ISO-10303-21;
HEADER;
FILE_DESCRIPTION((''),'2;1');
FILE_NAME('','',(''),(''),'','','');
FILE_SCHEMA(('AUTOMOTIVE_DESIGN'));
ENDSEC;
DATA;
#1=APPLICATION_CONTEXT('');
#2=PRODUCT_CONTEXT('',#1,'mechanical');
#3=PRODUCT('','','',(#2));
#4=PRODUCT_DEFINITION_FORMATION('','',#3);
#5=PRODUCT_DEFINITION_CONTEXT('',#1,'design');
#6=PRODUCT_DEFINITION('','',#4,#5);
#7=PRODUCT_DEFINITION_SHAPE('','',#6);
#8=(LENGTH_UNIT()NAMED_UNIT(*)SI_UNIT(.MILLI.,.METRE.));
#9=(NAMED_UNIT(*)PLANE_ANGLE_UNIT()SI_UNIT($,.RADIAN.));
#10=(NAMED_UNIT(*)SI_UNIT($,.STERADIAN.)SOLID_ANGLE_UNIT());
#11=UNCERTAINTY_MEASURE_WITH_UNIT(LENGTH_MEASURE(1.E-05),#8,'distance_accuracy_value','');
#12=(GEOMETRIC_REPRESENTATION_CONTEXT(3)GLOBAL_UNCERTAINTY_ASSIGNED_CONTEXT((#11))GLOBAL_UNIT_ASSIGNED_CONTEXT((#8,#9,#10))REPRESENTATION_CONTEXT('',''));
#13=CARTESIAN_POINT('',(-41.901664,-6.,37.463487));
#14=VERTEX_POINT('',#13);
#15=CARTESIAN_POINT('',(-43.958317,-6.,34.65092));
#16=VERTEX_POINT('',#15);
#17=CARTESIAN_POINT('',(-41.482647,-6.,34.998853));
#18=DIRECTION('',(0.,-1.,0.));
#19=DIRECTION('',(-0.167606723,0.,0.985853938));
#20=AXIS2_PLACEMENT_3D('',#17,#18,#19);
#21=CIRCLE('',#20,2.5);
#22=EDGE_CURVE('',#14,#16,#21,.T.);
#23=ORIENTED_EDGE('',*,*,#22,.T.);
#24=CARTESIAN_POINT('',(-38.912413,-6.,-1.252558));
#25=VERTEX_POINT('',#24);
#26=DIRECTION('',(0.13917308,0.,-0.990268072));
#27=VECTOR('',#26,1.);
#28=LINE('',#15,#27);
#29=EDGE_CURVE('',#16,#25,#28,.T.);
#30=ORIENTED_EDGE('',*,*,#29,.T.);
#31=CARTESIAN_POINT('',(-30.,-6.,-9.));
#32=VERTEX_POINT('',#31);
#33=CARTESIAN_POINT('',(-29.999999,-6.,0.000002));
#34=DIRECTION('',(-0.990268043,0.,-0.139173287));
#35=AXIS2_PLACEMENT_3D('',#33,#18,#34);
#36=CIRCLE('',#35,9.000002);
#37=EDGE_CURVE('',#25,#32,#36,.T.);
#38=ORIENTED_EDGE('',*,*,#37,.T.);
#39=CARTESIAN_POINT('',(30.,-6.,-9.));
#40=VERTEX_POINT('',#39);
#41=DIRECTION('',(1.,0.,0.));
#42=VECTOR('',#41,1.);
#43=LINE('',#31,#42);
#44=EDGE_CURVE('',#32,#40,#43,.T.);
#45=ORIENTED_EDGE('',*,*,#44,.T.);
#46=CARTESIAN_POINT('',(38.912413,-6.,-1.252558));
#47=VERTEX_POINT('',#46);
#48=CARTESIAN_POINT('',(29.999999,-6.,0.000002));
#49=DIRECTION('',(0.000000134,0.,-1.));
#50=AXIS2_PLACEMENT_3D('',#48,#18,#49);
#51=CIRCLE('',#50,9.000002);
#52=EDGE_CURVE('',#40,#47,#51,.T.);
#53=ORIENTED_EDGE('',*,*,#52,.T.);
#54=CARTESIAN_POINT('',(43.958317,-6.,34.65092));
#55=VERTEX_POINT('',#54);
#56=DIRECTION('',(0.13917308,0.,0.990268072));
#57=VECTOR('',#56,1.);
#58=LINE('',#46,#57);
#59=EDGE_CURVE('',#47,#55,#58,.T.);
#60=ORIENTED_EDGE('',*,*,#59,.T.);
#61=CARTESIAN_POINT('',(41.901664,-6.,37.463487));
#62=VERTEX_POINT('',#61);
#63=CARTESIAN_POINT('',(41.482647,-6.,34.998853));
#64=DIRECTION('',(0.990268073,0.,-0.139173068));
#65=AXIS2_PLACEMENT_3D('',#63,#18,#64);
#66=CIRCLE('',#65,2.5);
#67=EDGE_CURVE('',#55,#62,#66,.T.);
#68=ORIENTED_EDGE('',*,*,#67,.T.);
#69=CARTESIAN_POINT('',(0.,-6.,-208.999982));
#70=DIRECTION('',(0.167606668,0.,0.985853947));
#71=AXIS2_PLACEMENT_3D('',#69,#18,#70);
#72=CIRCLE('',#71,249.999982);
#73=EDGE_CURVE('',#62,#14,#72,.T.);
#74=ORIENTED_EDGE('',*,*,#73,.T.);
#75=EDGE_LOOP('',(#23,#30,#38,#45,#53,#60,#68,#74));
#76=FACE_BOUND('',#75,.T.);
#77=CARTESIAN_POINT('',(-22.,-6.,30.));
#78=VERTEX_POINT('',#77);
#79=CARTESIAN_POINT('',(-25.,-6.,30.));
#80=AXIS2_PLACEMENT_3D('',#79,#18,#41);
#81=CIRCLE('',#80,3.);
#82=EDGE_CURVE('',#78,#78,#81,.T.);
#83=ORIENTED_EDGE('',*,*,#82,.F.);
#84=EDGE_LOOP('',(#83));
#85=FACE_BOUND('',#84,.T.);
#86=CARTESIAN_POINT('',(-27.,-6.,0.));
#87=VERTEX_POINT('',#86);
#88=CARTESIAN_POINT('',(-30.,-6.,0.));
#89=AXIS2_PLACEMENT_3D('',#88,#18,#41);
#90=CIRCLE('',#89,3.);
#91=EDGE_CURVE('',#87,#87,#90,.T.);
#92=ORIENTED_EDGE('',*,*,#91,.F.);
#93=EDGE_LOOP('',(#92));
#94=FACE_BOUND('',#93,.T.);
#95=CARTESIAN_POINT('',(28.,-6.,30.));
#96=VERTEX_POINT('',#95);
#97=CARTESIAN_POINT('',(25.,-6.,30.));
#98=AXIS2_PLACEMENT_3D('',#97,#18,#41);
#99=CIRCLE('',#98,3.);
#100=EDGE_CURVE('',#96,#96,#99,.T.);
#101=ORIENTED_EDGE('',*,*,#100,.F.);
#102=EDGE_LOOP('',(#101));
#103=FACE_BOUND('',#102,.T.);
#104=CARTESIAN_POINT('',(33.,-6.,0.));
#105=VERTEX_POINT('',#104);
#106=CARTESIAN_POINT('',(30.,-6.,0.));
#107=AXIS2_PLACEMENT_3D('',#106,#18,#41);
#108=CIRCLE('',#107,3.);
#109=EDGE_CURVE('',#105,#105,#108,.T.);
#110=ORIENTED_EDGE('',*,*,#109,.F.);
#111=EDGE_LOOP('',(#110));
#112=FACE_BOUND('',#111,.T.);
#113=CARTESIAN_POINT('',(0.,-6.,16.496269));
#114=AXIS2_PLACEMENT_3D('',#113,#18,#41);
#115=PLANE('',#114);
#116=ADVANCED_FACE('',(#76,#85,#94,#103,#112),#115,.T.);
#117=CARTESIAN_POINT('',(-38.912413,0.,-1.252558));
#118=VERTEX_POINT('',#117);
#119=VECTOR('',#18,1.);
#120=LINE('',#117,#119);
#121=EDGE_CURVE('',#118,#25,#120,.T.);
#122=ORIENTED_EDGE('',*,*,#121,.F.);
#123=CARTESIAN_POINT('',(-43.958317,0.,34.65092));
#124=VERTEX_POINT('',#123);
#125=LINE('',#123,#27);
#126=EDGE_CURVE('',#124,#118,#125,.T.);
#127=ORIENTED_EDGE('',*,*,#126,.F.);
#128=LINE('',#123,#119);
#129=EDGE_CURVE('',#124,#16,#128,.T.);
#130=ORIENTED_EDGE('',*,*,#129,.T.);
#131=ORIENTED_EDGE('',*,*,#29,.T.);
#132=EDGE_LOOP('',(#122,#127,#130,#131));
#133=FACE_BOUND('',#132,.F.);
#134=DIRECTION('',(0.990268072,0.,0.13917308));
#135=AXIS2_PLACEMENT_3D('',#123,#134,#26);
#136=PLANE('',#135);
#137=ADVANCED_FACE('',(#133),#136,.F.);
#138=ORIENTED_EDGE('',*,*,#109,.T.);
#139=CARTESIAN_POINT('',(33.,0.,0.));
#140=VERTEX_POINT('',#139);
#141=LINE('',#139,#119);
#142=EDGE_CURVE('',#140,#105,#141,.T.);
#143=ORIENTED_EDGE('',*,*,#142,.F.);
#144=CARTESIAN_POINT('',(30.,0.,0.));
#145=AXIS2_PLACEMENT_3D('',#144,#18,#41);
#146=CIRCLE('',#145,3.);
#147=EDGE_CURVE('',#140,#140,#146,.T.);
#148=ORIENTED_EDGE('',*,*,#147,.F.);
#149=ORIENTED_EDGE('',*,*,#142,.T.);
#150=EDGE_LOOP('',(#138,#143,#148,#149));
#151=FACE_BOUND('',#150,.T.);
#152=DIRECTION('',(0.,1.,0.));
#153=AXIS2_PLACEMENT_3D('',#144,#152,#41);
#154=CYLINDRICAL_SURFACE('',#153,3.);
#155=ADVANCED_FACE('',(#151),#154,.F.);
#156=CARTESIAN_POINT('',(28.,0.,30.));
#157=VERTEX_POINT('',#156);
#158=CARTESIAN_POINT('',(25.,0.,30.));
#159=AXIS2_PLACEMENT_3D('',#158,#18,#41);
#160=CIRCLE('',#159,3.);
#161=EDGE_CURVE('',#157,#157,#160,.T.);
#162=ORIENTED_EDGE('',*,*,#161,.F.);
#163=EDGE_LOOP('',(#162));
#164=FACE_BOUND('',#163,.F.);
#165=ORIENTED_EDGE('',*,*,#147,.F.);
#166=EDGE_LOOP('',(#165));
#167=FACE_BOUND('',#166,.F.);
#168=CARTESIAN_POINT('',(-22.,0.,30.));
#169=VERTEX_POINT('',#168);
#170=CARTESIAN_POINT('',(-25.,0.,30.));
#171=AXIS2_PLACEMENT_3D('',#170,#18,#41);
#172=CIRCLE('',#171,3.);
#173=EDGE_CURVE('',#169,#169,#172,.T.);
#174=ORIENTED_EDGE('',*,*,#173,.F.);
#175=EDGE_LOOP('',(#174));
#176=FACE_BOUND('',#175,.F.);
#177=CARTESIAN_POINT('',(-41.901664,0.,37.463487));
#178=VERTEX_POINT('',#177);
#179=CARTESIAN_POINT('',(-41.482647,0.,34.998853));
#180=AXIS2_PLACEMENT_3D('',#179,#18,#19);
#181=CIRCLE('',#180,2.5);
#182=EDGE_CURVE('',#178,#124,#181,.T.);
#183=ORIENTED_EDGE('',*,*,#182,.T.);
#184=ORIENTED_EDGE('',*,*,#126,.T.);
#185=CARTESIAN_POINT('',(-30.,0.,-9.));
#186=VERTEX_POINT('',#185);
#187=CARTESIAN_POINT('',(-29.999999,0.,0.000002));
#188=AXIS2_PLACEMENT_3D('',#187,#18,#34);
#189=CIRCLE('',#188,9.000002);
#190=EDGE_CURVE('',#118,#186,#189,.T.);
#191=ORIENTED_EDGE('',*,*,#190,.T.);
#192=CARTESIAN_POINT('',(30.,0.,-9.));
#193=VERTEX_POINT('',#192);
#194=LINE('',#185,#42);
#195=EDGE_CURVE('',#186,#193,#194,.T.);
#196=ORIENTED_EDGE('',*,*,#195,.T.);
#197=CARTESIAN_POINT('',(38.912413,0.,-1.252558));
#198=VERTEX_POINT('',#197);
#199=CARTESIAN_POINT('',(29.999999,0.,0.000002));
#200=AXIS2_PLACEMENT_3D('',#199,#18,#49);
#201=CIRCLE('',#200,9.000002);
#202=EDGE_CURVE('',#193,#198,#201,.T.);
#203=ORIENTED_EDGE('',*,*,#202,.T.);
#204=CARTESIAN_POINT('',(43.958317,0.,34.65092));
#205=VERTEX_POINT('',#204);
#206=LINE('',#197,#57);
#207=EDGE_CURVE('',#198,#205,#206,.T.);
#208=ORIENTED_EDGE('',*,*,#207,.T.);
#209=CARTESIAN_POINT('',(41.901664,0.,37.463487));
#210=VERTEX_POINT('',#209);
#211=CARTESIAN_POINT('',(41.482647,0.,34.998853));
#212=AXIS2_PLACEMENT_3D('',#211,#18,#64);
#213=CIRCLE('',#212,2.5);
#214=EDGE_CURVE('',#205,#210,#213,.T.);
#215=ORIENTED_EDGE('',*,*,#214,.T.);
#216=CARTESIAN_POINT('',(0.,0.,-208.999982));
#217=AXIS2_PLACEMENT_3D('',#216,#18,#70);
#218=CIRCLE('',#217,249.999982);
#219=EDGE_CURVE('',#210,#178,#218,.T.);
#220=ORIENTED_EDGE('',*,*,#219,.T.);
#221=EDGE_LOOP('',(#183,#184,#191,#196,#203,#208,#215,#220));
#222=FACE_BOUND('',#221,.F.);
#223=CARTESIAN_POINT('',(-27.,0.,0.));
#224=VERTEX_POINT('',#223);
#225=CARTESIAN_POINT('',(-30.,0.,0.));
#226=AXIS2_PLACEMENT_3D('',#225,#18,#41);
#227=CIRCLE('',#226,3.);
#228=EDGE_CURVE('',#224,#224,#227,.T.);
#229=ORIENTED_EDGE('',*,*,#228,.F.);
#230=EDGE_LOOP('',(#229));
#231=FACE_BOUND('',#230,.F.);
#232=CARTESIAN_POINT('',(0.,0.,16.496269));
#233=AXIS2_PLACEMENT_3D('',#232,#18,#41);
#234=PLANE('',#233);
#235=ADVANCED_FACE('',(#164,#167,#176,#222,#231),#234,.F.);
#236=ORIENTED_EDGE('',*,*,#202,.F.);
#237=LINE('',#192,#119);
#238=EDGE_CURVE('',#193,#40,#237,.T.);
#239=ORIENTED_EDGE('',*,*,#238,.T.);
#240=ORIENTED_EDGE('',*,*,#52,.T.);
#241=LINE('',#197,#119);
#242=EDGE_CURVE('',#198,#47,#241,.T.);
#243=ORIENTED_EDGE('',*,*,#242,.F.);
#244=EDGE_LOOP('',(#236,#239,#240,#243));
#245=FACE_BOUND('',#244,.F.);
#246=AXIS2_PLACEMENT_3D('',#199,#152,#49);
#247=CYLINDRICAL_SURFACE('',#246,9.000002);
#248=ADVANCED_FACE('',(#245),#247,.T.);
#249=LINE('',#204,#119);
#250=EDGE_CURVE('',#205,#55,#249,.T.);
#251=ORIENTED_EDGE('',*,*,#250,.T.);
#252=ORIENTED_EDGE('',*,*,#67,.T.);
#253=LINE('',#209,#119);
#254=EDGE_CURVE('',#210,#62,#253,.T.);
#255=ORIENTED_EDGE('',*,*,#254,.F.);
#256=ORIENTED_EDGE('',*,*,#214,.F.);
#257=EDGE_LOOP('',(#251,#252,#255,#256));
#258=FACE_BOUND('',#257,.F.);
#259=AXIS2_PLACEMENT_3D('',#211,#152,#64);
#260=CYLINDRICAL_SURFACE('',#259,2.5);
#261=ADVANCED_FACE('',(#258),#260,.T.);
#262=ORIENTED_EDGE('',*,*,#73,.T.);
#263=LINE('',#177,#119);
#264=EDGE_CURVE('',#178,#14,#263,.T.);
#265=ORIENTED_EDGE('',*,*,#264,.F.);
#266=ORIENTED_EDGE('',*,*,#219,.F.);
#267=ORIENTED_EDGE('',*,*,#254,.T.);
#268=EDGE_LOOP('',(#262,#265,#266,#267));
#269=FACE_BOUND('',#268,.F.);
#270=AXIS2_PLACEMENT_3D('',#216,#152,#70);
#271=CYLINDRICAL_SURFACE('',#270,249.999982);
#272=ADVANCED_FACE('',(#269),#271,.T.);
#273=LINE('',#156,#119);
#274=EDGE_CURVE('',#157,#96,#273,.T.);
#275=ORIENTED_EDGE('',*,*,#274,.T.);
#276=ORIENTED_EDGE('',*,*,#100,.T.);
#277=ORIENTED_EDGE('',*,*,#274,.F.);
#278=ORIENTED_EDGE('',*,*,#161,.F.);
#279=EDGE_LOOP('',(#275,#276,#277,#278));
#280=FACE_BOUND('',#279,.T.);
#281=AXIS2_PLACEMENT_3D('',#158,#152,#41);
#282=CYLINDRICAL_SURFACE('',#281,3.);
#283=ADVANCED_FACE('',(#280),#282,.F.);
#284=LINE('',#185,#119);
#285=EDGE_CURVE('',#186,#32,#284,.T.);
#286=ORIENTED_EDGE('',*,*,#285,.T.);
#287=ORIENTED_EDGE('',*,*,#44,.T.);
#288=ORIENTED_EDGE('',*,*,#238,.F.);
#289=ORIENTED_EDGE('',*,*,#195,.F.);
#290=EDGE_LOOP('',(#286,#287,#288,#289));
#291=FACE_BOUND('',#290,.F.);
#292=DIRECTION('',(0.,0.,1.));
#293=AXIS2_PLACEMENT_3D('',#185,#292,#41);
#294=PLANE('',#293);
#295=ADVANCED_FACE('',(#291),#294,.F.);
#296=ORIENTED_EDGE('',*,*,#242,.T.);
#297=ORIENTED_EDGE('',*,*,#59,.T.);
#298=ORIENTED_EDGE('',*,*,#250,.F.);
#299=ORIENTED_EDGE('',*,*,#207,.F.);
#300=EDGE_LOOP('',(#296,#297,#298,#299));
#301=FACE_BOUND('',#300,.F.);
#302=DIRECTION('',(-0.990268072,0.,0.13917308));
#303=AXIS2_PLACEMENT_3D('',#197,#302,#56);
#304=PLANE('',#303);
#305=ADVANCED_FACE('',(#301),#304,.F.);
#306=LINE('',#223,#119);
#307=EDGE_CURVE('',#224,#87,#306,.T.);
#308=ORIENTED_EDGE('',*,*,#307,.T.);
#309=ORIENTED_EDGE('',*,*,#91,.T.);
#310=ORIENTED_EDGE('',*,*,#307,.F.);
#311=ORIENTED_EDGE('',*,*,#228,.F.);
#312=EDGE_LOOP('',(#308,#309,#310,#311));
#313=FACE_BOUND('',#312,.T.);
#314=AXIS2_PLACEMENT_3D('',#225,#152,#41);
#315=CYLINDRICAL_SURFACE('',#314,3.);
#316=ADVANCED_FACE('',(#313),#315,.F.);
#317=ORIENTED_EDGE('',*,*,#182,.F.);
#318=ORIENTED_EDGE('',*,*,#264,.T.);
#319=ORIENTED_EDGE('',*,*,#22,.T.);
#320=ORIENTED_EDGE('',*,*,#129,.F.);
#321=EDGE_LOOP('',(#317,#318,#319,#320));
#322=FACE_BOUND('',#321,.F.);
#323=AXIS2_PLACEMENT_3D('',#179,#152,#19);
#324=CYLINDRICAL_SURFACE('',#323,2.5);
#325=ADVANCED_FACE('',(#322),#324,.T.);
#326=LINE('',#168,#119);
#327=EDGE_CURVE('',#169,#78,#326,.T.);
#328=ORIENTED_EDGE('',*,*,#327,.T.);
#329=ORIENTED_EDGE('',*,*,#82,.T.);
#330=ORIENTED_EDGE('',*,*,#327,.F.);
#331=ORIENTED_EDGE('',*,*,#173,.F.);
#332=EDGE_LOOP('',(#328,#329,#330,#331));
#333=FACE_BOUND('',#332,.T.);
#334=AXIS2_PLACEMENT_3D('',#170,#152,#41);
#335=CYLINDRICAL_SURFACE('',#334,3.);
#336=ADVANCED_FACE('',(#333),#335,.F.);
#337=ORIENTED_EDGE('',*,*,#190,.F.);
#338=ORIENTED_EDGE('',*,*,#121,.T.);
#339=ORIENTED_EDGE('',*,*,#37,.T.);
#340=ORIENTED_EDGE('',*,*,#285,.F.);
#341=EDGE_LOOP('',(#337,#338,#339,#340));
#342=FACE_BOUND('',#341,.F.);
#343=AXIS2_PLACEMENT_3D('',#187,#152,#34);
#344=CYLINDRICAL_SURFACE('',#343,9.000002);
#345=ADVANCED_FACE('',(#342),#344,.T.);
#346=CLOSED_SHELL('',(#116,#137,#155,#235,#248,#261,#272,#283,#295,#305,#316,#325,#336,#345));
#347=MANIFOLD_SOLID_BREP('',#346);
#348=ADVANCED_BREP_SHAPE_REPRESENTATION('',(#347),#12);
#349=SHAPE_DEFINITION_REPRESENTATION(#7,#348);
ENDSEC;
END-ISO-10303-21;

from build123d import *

# Parameters (mm, degrees)
F0_R     = 3
F1_DEPTH = 6


with BuildPart() as f1:
    # F0 (on Front) → F1 (new body)
    with BuildSketch(Plane.XZ):
        with BuildLine():
            Line((-30, -9), (30, -9))
            ThreePointArc((30, -9), (35.904531, -6.792386), (38.912413, -1.252558))
            Line((38.912413, -1.252558), (43.958317, 34.65092))
            ThreePointArc((43.958317, 34.65092), (43.500675, 36.474509), (41.901664, 37.463487))
            ThreePointArc((41.901664, 37.463487), (0, 41), (-41.901664, 37.463487))
            ThreePointArc((-41.901664, 37.463487), (-43.500675, 36.474509), (-43.958317, 34.65092))
            Line((-43.958317, 34.65092), (-38.912413, -1.252558))
            ThreePointArc((-38.912413, -1.252558), (-35.904531, -6.792386), (-30, -9))
        make_face()
        with Locations((-30, 0)):
            Circle(F0_R, mode=Mode.SUBTRACT)
        with Locations((30, 0)):
            Circle(F0_R, mode=Mode.SUBTRACT)
        with Locations((-25, 30)):
            Circle(F0_R, mode=Mode.SUBTRACT)
        with Locations((25, 30)):
            Circle(F0_R, mode=Mode.SUBTRACT)
    extrude(amount=F1_DEPTH)


solid = f1.part
